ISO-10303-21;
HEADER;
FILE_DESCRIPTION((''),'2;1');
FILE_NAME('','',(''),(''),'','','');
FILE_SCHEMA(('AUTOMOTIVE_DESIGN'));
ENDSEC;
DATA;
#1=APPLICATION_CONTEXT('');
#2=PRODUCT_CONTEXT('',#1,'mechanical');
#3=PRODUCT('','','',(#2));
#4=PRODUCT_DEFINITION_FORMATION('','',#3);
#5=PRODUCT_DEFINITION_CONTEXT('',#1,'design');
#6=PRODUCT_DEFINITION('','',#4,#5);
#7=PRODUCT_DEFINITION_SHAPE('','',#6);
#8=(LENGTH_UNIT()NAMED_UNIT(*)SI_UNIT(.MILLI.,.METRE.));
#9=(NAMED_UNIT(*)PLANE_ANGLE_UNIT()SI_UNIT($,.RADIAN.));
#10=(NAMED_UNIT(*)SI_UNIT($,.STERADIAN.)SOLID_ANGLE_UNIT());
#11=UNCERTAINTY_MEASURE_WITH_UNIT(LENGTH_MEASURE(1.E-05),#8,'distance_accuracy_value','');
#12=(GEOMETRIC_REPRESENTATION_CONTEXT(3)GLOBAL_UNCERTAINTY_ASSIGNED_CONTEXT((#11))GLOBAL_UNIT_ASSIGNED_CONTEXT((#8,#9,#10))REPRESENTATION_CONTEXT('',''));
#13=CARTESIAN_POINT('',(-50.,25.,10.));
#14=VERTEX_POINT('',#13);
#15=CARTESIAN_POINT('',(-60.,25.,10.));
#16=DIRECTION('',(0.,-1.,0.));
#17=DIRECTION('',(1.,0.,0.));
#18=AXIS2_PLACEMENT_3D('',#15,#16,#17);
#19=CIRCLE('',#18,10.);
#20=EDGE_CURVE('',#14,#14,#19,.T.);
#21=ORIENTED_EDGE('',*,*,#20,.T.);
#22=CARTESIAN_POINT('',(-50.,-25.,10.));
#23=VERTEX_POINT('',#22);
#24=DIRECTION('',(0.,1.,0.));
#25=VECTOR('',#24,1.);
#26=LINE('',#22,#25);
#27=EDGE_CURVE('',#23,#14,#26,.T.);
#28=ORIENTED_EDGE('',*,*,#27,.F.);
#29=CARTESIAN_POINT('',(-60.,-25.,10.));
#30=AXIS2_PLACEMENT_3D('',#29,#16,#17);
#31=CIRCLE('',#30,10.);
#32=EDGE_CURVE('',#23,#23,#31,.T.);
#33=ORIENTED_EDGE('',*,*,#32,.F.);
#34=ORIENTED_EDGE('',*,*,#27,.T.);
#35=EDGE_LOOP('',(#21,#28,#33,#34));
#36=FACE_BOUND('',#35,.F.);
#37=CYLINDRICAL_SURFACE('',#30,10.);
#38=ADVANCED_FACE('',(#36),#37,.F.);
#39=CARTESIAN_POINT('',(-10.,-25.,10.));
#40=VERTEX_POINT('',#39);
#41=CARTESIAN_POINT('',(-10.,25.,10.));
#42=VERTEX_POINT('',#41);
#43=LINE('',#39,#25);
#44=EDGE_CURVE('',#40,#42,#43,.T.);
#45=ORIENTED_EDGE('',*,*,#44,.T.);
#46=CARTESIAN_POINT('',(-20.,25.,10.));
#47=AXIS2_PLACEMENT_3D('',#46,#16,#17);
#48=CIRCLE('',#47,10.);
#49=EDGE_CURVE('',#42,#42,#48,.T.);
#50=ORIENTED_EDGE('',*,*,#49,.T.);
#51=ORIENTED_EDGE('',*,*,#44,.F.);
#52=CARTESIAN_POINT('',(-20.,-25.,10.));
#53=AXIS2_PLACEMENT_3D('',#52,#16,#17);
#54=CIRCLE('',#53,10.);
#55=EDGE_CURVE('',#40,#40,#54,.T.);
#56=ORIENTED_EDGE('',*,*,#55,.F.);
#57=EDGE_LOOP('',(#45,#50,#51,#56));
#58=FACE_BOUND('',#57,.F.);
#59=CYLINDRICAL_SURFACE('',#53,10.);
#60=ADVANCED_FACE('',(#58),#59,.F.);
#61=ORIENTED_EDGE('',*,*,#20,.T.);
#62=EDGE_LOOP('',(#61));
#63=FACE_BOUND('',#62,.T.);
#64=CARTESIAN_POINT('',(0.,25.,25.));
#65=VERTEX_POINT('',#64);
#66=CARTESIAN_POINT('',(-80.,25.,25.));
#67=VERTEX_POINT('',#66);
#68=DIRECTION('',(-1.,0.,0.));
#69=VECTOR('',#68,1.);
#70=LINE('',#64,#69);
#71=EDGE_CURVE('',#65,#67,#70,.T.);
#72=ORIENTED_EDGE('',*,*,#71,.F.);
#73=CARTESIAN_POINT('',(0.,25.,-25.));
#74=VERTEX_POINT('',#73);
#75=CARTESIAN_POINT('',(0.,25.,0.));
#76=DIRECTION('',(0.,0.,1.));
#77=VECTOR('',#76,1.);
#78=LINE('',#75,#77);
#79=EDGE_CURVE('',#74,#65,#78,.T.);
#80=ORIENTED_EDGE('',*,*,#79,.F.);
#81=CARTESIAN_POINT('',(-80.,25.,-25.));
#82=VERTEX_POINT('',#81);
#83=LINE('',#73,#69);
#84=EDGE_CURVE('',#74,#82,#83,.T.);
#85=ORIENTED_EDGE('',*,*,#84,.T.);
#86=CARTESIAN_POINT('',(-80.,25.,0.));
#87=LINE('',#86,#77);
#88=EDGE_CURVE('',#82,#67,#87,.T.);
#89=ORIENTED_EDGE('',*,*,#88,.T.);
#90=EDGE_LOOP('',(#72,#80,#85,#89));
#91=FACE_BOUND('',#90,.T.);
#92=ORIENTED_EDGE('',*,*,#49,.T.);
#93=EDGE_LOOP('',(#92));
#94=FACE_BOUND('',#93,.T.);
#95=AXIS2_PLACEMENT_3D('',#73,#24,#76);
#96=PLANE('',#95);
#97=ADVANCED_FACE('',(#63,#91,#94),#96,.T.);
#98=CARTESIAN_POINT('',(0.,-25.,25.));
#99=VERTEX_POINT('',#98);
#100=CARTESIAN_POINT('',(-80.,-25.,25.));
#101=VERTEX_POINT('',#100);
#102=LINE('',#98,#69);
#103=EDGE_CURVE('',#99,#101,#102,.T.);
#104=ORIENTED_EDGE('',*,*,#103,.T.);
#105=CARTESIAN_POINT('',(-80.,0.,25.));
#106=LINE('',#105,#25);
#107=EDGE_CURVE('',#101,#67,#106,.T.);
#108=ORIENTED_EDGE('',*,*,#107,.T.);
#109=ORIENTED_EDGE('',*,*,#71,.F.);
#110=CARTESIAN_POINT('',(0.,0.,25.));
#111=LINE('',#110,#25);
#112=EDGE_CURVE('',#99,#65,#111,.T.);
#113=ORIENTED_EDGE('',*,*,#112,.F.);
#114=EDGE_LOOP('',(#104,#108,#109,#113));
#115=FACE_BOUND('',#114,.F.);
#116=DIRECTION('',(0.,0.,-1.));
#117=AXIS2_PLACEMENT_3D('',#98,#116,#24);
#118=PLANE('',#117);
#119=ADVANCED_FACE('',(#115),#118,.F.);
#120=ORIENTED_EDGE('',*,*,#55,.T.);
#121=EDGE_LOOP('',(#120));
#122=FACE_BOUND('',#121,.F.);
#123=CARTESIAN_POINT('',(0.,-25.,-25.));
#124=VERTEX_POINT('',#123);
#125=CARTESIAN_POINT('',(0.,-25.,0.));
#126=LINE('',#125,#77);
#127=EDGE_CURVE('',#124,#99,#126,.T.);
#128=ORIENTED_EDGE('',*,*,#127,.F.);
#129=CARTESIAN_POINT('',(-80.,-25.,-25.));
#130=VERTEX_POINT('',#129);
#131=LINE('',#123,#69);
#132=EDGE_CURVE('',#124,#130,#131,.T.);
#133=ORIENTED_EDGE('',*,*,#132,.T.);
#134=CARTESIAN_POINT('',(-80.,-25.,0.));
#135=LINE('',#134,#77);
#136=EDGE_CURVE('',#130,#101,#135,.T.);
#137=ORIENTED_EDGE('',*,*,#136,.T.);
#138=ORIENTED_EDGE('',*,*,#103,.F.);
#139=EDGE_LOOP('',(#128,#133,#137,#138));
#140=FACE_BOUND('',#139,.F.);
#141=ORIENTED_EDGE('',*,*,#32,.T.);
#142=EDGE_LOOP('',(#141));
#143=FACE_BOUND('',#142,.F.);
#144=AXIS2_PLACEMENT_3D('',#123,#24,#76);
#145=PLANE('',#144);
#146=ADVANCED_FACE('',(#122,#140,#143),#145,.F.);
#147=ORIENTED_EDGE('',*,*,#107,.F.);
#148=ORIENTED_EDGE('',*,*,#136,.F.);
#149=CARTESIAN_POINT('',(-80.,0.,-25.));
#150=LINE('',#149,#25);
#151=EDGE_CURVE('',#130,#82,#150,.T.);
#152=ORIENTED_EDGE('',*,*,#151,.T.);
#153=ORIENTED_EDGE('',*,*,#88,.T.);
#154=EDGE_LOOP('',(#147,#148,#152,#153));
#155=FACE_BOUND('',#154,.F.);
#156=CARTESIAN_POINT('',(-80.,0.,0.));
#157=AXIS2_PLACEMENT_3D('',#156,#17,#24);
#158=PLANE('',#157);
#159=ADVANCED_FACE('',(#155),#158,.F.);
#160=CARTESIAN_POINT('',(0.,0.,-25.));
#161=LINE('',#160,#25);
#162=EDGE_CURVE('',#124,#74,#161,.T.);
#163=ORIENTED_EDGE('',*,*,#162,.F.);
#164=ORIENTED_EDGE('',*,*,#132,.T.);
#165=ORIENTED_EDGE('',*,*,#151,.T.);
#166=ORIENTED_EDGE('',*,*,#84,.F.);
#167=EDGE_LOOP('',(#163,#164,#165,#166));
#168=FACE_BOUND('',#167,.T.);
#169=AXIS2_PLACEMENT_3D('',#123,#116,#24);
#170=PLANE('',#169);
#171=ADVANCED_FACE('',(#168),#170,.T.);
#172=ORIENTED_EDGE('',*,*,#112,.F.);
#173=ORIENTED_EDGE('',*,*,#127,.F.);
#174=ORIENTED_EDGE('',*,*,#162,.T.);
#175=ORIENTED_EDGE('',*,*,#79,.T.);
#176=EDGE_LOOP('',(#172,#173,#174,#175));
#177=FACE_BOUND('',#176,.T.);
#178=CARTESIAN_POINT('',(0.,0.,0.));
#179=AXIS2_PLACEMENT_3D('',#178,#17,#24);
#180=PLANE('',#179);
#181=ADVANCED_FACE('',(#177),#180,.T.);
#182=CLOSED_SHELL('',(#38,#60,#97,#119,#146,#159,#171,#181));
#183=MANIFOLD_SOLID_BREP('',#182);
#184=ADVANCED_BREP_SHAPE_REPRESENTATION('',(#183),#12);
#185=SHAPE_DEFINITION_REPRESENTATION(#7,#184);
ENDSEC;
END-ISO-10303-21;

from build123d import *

# Parameters (mm, degrees)
F0_W     = 50
F0_H     = 50
F1_DEPTH = 80
F2_R     = 10
F3_DEPTH = 50


with BuildPart() as f1:
    # F0 (on Right) → F1 (new body)
    with BuildSketch(Plane.YZ):
        Rectangle(F0_W, F0_H)
    extrude(amount=-F1_DEPTH)

    # F2 (on face) → F3 (cut, through all)
    with BuildSketch(Plane.XZ.offset(25)):
        with Locations((-60, 10)):
            Circle(F2_R)
        with Locations((-20, 10)):
            Circle(F2_R)
    extrude(amount=-F3_DEPTH, mode=Mode.SUBTRACT)


solid = f1.part
